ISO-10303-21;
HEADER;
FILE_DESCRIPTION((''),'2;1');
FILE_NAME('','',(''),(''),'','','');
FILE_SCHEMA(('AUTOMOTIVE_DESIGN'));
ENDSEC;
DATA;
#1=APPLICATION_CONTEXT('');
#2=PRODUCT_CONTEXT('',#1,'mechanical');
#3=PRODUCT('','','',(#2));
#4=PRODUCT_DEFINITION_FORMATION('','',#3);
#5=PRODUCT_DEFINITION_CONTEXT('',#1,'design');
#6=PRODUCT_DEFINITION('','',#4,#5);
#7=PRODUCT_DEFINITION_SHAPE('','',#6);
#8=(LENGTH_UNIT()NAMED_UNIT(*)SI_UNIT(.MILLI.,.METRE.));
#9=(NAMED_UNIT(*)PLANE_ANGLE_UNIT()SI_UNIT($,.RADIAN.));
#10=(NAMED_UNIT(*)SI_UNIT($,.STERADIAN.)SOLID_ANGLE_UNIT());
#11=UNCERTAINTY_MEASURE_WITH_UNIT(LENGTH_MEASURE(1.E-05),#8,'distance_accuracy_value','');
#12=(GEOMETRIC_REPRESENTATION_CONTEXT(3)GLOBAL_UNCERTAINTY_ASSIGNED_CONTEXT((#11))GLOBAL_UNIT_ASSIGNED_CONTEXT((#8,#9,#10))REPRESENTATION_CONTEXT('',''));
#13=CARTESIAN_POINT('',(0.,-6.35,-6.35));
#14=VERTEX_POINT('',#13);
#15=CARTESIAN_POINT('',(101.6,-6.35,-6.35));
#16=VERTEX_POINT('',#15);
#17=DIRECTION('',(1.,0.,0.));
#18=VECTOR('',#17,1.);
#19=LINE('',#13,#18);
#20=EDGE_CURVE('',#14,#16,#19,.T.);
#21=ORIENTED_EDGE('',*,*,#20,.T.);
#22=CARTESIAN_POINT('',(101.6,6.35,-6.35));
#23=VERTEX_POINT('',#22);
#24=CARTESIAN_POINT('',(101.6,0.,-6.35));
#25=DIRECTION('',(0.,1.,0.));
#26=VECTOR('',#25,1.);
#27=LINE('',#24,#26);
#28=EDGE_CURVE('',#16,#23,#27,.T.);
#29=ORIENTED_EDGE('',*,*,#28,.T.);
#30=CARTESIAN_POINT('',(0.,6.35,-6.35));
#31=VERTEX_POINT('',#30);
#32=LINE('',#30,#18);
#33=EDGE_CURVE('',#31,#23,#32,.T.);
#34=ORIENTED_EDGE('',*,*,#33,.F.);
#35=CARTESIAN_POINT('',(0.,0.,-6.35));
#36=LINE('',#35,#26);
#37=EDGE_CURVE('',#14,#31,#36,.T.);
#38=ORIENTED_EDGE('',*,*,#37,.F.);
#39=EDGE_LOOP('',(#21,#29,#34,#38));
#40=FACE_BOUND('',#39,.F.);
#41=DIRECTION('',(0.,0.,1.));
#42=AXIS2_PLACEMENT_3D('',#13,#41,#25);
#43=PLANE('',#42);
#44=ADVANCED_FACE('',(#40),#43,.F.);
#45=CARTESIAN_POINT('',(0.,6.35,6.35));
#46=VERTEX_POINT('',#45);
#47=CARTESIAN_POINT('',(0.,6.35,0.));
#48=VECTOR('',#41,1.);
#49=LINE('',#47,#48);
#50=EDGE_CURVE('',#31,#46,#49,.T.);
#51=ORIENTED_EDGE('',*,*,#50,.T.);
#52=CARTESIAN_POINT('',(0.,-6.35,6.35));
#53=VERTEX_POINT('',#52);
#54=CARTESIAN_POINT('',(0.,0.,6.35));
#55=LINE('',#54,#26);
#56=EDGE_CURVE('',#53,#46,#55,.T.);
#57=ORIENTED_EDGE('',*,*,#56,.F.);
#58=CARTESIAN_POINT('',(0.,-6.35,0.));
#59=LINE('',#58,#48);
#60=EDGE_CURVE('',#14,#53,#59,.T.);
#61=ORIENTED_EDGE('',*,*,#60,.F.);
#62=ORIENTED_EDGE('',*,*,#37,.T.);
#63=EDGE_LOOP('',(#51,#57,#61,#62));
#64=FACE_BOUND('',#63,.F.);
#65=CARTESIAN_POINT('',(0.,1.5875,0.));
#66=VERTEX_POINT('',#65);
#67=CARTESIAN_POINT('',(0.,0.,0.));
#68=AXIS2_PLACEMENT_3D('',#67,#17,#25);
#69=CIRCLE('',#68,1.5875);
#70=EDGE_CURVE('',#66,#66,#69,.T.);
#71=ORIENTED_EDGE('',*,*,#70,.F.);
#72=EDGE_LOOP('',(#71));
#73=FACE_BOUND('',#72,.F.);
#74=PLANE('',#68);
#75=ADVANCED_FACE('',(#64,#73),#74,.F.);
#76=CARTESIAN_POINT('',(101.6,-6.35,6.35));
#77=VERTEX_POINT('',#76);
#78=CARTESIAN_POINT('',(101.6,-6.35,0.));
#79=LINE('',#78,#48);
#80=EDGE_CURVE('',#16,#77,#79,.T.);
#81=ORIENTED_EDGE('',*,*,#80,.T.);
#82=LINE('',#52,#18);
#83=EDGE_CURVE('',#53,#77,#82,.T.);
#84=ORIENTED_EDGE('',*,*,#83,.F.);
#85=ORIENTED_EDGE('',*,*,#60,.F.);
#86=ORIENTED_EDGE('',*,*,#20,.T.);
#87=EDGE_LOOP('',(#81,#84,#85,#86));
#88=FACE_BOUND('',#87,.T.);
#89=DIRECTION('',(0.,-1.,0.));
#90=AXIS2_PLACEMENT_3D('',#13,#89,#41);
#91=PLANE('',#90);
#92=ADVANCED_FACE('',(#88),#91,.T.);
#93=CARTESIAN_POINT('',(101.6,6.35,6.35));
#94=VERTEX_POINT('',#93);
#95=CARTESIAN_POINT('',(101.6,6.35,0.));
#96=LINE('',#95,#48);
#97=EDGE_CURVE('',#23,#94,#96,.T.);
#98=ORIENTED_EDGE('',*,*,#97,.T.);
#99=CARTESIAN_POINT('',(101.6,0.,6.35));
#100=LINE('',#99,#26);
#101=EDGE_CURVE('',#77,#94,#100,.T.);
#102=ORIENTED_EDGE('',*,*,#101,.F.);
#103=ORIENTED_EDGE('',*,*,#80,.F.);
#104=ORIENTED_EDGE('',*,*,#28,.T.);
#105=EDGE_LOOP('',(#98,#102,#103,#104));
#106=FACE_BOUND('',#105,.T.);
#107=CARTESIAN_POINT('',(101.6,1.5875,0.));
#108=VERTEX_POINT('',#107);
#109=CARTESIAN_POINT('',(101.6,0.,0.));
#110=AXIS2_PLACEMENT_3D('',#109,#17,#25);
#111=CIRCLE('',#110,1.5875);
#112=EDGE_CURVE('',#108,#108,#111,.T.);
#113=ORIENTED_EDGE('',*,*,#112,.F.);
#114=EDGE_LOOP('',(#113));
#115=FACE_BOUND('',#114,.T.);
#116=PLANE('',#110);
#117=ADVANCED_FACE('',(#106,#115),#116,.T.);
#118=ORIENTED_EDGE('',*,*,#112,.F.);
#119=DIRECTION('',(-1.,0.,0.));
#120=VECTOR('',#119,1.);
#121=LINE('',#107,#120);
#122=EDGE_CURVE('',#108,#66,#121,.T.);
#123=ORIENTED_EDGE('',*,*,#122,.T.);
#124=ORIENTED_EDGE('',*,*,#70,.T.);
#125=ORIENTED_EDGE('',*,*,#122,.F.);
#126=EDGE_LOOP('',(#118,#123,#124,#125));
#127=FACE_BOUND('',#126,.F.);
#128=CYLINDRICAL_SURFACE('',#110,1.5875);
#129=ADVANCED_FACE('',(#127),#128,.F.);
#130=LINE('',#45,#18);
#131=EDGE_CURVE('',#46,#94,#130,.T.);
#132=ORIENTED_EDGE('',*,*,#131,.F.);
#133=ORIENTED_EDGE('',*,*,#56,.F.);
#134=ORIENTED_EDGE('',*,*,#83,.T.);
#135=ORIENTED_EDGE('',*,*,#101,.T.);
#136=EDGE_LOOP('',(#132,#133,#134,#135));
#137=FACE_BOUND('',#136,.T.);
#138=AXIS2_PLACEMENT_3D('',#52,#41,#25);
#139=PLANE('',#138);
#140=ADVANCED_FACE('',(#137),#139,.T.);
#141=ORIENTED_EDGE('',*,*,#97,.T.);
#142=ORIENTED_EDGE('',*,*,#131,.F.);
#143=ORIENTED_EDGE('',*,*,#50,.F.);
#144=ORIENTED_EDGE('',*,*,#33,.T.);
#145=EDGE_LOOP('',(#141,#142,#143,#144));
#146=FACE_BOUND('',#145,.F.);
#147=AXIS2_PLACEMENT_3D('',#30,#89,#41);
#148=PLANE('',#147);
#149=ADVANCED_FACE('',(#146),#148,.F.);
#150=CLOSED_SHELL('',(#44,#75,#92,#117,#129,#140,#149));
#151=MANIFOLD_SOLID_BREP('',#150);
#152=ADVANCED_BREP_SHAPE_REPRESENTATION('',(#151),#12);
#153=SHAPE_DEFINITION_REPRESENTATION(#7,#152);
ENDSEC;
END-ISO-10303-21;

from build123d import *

# Parameters (mm, degrees)
F0_W     = 12.7
F0_H     = 12.7
F1_DEPTH = 101.6
F2_R     = 1.5875
F3_DEPTH = 114.554


with BuildPart() as f1:
    # F0 (on Right) → F1 (new body)
    with BuildSketch(Plane.YZ):
        Rectangle(F0_W, F0_H)
    extrude(amount=F1_DEPTH)

    # F2 (on face) → F3 (cut)
    with BuildSketch(Plane.YZ.offset(101.6)):
        Circle(F2_R)
    extrude(amount=-F3_DEPTH, mode=Mode.SUBTRACT)


solid = f1.part
